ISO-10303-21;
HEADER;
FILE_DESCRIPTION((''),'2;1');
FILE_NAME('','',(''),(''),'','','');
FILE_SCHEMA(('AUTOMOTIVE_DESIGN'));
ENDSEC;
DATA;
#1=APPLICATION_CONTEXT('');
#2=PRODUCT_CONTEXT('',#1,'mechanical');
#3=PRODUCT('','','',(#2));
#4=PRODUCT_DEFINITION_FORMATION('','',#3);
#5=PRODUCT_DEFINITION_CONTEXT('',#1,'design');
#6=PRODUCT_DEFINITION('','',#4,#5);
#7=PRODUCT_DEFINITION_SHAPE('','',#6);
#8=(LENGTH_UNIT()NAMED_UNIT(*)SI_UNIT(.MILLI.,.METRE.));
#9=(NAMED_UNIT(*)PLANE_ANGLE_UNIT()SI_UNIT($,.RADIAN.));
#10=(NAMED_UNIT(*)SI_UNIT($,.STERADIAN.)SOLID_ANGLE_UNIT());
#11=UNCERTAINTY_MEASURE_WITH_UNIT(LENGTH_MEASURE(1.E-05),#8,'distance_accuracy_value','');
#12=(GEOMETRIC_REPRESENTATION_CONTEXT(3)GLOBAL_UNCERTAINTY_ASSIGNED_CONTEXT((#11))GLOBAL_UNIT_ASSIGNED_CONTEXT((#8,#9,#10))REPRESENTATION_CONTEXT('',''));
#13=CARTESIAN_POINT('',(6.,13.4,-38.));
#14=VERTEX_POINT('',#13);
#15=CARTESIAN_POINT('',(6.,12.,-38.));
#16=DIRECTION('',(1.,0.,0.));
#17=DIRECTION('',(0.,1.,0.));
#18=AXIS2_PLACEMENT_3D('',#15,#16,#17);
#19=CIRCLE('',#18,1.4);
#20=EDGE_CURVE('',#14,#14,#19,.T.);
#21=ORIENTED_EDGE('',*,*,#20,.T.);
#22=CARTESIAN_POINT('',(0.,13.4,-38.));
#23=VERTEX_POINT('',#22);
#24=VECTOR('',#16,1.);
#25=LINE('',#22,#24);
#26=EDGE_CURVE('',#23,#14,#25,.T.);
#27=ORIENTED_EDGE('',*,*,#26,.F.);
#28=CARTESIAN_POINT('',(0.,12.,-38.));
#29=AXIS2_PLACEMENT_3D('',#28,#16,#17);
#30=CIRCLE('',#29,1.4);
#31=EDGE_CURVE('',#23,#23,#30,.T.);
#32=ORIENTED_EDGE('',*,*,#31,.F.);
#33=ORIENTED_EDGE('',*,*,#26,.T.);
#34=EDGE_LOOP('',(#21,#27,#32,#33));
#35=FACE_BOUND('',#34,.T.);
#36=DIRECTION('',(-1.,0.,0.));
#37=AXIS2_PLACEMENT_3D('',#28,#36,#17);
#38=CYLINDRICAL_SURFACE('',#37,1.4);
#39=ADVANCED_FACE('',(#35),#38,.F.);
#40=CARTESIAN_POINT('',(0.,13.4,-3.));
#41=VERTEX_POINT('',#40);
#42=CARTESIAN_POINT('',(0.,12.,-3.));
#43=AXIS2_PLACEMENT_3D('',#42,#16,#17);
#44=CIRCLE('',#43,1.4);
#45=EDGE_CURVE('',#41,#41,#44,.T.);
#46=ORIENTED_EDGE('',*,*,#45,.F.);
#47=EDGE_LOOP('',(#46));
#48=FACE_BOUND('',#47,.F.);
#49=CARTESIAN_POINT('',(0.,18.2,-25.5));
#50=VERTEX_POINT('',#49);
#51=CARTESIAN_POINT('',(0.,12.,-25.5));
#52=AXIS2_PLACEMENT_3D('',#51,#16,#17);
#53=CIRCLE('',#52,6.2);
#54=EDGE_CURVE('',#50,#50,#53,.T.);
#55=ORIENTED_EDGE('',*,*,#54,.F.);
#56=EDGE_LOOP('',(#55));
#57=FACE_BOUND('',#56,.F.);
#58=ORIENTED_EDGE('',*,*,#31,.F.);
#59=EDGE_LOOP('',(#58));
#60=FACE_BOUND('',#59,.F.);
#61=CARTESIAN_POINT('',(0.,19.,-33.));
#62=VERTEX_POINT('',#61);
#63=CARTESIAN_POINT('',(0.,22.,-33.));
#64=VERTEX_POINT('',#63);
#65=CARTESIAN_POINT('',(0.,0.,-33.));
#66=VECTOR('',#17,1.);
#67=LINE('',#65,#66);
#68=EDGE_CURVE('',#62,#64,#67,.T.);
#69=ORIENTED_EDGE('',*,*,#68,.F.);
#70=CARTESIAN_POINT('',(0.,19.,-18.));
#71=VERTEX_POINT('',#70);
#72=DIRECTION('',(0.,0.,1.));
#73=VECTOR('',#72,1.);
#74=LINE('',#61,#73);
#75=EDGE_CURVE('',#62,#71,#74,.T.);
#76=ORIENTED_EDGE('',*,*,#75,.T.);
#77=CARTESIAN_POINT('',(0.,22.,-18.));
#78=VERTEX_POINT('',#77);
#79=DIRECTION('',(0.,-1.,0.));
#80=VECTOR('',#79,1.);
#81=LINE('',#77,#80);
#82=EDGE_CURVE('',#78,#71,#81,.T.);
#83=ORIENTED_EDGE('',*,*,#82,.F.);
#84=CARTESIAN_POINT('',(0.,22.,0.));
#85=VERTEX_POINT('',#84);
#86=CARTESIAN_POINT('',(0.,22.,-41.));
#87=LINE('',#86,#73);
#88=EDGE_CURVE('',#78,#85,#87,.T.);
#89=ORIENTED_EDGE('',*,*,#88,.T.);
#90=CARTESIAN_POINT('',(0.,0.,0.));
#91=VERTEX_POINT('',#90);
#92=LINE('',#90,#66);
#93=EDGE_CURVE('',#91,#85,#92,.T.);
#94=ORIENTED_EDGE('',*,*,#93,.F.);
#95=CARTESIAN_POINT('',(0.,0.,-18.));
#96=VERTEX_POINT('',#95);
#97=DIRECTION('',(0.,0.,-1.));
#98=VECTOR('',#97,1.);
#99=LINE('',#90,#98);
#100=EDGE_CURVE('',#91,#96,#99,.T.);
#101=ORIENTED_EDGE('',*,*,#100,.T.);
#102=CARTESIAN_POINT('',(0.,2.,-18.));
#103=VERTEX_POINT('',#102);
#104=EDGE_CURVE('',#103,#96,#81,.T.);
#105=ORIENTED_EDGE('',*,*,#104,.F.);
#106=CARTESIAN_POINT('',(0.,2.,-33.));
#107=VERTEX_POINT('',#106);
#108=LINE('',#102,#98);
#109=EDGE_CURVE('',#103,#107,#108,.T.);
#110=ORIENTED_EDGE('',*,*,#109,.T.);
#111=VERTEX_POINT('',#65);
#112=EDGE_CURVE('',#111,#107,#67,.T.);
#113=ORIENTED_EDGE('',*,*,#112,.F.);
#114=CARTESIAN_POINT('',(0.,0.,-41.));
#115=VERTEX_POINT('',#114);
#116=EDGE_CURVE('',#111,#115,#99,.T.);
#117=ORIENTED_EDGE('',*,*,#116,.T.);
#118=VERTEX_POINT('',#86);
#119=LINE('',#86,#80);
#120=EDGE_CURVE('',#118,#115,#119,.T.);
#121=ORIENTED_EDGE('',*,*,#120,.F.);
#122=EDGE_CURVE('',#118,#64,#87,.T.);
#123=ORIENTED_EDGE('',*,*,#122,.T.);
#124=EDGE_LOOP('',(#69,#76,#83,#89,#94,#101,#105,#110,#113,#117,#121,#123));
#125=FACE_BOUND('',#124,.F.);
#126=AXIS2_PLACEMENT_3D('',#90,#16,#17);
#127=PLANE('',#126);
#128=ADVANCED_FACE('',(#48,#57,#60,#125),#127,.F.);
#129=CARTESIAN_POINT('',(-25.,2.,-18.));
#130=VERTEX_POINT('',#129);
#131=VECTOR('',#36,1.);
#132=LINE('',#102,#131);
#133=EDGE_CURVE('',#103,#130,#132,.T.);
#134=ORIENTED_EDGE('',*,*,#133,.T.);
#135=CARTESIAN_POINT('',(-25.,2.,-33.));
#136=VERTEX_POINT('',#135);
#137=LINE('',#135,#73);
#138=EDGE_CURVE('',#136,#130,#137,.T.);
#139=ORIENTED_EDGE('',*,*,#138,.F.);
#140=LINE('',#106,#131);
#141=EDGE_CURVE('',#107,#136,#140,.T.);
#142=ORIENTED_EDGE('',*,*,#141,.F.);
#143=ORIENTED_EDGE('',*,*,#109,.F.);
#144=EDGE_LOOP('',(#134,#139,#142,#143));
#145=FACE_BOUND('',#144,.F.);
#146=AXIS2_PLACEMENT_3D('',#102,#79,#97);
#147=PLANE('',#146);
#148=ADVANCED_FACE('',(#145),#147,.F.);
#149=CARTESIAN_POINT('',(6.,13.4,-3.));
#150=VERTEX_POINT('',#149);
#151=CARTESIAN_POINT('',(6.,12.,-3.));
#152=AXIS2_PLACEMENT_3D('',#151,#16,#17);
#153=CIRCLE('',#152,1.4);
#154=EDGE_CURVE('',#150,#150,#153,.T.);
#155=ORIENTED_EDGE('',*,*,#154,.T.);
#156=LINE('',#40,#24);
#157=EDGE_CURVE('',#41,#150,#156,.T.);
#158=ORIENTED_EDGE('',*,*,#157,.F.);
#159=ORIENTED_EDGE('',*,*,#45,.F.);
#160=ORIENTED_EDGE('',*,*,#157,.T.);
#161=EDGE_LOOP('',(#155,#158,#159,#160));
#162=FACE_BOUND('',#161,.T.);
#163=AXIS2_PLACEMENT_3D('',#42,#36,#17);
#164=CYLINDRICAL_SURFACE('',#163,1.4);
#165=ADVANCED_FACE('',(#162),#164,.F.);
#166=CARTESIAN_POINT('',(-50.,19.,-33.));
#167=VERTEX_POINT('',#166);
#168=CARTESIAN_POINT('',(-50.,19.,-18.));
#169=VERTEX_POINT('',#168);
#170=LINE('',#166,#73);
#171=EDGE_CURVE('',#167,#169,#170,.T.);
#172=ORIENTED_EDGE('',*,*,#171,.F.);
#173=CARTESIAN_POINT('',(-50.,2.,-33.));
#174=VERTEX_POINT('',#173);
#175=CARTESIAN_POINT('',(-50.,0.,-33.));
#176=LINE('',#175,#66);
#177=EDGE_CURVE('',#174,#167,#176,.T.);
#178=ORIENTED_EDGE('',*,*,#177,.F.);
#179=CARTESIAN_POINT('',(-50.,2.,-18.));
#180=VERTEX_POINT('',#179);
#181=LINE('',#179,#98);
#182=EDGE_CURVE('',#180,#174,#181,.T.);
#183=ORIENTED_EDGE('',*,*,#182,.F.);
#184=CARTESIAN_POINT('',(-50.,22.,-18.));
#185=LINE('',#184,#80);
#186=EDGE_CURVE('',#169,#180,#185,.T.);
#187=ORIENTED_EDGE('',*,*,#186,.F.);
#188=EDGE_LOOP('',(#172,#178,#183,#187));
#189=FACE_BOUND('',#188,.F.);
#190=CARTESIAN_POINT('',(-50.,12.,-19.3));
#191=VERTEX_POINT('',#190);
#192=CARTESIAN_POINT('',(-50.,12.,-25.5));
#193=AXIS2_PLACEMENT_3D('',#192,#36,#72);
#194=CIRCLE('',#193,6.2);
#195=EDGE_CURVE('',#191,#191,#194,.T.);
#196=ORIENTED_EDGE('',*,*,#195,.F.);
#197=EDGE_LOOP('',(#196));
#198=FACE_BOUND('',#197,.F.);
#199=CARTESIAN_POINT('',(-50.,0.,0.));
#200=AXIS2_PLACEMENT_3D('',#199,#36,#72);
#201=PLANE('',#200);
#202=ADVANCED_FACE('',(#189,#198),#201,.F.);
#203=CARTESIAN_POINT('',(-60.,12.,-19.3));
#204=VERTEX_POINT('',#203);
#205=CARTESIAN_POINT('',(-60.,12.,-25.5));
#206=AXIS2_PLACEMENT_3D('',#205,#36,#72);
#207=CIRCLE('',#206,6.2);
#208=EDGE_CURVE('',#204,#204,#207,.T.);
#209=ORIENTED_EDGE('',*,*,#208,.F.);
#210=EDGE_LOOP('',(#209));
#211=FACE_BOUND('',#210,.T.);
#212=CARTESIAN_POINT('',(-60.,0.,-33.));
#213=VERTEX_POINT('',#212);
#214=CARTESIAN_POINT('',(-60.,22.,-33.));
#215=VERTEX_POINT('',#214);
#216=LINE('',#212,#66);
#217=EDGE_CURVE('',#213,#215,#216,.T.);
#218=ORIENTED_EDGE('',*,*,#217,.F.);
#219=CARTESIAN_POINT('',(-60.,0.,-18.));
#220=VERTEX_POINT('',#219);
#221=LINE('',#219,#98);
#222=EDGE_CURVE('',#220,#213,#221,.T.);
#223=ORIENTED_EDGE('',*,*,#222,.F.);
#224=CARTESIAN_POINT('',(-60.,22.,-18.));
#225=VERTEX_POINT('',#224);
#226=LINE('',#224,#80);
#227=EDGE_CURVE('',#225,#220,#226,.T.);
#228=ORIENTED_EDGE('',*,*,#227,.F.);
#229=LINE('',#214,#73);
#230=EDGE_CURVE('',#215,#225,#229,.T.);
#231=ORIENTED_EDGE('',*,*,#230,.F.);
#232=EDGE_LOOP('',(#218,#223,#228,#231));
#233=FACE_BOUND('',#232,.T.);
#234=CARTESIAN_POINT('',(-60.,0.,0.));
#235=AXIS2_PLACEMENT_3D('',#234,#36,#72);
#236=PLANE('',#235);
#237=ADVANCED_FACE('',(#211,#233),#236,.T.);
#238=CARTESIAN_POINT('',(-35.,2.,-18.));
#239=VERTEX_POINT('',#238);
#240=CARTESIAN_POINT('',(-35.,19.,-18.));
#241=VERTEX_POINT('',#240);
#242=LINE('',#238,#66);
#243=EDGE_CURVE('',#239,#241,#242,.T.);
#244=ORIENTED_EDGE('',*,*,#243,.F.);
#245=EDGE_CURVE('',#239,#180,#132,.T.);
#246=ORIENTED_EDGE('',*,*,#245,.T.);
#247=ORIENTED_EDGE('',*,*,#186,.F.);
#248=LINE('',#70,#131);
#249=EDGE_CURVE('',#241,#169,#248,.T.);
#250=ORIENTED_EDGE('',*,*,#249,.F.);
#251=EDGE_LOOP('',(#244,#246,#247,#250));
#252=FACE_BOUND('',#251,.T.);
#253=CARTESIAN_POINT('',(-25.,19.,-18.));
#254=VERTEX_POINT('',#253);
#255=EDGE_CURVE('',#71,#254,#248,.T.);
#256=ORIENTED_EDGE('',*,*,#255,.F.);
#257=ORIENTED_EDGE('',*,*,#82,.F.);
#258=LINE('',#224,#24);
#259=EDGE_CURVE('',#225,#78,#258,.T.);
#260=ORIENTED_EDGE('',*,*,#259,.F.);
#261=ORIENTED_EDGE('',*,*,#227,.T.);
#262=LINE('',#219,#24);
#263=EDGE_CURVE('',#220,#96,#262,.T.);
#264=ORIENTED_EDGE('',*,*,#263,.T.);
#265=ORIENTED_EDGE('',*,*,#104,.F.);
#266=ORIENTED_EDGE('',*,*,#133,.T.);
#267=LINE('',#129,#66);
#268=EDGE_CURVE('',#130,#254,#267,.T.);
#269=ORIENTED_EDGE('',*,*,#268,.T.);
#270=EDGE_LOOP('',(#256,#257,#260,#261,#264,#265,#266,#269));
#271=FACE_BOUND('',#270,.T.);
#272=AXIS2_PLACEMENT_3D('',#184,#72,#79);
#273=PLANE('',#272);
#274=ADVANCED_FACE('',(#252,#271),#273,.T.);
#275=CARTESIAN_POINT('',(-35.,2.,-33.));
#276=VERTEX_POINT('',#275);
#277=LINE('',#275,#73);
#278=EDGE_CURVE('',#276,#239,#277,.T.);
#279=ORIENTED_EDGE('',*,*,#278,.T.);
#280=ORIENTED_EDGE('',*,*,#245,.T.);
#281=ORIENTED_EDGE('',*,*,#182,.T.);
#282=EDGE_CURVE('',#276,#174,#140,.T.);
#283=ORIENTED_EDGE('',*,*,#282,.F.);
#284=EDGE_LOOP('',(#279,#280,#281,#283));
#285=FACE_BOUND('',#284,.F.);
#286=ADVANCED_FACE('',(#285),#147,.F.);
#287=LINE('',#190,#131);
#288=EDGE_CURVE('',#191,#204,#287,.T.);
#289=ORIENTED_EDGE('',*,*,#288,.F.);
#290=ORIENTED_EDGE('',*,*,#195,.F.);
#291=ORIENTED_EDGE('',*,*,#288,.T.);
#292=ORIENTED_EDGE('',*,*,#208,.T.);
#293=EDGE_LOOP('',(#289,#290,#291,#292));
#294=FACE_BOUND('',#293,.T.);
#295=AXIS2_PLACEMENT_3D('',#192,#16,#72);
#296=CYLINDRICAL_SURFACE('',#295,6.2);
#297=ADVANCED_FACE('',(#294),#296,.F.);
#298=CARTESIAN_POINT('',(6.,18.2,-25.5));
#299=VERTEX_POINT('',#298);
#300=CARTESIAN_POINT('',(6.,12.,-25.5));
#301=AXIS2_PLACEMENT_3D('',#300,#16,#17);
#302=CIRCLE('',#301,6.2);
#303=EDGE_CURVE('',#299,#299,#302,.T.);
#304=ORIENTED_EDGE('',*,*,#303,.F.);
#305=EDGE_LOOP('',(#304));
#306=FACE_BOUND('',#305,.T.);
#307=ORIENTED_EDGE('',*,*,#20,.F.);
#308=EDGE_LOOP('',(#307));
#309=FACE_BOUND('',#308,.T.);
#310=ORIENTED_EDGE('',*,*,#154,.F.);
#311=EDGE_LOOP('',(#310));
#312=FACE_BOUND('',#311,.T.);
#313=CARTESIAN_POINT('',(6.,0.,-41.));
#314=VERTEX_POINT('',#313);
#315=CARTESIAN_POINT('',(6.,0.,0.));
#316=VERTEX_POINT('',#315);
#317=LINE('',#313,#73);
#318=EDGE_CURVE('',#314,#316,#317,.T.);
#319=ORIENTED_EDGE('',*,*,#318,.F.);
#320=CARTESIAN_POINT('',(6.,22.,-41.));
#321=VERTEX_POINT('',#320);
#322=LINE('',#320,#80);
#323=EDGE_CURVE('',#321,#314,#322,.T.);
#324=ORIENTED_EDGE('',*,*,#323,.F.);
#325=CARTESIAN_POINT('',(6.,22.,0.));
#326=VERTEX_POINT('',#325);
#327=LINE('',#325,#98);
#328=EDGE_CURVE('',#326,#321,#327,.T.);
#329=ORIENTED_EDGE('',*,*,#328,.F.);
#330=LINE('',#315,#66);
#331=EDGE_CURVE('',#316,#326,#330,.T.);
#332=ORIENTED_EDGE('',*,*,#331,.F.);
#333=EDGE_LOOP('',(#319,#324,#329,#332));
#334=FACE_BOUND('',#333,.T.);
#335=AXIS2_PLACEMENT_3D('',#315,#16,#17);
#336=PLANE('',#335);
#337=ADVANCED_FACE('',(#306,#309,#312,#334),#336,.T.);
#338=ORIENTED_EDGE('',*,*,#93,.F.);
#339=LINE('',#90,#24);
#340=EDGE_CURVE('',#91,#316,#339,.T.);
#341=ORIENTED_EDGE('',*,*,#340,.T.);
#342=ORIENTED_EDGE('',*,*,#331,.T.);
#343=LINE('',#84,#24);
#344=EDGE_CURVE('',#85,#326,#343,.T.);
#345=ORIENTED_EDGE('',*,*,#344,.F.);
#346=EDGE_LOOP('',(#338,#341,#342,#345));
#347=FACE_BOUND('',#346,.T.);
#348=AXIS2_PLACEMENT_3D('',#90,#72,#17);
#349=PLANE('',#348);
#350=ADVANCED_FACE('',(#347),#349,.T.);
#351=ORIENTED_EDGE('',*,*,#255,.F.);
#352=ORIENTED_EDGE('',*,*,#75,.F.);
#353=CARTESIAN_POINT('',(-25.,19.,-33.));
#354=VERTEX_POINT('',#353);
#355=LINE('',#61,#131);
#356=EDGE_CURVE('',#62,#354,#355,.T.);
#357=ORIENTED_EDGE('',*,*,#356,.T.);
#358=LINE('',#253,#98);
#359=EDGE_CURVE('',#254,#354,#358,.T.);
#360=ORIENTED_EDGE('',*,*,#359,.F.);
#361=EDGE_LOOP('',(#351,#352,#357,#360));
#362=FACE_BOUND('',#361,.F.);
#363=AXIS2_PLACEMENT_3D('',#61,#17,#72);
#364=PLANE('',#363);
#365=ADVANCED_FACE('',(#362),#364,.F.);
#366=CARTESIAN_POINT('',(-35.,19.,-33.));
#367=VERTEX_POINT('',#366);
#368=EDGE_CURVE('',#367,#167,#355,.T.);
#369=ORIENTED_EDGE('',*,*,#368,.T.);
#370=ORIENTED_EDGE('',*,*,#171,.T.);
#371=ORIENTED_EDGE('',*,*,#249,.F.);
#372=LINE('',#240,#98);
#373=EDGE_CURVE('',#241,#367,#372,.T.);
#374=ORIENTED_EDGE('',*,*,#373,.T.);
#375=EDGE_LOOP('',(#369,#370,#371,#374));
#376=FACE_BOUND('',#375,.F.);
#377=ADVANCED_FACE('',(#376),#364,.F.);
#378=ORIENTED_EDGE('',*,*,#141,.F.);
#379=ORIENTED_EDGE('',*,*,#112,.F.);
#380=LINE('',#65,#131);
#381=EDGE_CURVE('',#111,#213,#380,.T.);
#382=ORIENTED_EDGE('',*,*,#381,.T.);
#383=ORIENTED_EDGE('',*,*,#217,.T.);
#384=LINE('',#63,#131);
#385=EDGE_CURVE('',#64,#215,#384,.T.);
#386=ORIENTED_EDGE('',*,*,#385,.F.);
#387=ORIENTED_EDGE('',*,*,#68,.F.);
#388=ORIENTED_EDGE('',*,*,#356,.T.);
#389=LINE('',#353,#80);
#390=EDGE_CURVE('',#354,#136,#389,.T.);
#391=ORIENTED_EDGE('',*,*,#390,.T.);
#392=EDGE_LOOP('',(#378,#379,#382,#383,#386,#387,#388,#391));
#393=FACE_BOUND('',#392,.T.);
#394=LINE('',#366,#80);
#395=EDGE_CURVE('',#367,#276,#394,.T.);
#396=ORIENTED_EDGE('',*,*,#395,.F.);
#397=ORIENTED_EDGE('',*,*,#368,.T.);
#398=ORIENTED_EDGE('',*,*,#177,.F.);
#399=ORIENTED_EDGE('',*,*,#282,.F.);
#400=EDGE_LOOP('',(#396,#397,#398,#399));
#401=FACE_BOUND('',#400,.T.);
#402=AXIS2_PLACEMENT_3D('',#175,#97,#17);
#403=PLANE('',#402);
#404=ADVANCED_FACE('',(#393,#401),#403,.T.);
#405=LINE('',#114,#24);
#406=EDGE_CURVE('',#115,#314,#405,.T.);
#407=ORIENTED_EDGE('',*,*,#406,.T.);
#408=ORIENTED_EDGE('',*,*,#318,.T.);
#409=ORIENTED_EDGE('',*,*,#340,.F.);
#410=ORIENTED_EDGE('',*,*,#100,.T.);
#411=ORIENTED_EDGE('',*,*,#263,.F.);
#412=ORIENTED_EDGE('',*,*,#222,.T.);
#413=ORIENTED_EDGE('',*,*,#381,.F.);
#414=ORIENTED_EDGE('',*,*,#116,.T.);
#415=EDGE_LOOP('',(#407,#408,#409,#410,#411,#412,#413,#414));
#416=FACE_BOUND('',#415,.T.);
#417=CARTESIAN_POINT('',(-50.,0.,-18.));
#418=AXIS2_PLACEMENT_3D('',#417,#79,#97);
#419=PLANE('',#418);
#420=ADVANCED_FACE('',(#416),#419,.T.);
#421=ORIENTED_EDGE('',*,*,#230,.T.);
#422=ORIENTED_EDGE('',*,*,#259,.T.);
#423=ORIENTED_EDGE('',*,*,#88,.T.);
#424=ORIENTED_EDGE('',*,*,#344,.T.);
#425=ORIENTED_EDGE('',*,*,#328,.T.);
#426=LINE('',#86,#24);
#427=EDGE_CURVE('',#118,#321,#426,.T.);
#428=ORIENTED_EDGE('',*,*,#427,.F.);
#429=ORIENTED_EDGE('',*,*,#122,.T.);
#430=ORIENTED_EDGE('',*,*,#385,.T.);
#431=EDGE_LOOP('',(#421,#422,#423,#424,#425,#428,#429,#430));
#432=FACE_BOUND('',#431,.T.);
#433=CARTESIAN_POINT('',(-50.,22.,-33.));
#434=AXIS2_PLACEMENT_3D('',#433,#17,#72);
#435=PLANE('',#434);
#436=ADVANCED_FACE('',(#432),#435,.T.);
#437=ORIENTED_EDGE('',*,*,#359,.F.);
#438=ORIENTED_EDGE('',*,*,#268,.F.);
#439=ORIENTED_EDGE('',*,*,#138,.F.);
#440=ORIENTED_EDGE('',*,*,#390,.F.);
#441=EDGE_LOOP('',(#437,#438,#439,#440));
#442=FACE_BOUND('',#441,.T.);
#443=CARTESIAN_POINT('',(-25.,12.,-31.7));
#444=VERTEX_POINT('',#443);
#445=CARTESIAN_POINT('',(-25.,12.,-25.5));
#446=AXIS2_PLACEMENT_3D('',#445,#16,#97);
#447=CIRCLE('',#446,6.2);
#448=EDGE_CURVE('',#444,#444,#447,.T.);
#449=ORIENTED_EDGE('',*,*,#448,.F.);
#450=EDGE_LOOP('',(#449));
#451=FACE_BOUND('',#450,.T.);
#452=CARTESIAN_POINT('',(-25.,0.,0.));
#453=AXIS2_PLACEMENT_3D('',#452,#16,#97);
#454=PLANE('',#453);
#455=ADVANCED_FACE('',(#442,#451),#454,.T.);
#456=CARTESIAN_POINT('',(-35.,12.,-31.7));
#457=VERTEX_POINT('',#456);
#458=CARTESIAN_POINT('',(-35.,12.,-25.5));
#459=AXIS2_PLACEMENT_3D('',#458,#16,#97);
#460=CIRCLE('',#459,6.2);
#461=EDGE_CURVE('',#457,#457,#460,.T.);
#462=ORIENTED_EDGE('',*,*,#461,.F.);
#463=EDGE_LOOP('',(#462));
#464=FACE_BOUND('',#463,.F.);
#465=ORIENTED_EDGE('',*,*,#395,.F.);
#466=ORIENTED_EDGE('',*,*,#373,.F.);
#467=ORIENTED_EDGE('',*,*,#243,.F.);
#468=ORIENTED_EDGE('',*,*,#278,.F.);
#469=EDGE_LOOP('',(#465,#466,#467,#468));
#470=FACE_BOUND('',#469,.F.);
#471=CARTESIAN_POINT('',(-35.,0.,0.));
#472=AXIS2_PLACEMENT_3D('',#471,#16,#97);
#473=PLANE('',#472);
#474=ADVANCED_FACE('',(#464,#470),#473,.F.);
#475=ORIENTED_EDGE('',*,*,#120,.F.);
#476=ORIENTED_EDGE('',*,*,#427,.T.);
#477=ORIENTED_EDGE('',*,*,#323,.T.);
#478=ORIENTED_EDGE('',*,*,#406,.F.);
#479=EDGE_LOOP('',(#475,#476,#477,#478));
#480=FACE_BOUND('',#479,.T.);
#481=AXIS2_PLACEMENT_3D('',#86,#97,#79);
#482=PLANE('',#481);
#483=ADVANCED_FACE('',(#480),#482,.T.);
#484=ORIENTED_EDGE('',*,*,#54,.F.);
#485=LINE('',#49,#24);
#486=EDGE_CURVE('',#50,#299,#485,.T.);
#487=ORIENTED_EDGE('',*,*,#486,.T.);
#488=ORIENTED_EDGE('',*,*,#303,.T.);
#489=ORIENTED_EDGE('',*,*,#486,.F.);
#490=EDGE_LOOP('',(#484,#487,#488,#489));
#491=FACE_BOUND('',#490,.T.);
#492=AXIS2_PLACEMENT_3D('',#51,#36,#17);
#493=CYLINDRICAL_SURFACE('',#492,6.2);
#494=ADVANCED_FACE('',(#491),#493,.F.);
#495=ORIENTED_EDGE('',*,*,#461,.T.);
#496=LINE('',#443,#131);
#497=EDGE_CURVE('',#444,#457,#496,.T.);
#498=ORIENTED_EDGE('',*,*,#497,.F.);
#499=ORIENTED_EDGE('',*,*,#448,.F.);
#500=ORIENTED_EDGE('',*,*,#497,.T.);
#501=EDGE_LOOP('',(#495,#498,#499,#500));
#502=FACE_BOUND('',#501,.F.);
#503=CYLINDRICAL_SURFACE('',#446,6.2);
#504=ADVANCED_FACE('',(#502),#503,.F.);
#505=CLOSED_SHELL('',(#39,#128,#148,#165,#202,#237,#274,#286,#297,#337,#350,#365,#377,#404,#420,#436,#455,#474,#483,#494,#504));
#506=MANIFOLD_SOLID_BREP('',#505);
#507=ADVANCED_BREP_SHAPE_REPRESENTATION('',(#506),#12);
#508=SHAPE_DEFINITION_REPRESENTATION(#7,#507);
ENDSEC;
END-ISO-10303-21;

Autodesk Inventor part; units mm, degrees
ref_plane "YZ Plane" through (0, 0, 0) normal (1, 0, 0) x (0, 1, 0)
ref_plane "XZ Plane" through (0, 0, 0) normal (0, 1, 0) x (-1, 0, 0)
ref_plane "XY Plane" through (0, 0, 0) normal (0, 0, 1) x (1, 0, 0)
sketch "Sketch1" plane through (0, 0, 0) normal (1, 0, 0) x (0, 1, 0)
  line L0 (0, 0) -> (22, 0)
  line L1 (22, 0) -> (22, -41)
  line L2 (22, -41) -> (0, -41)
  line L3 (0, -41) -> (0, 0)
  line L4 (0, -22) -> (0, -32)
  line L5 (22, -33) -> (22, -23)
  circle A0 centre (12, -25.5) radius 6.2
  line L6 (22, -18) -> (0, -18)
  line L7 (0, -18) -> (0, -33)
  line L8 (0, -33) -> (22, -33)
  line L9 (22, -33) -> (22, -18)
  circle A1 centre (12, -3) radius 1.4
  circle A2 centre (12, -38) radius 1.4
  line L10 (19, -18) -> (2, -18)
  line L11 (2, -18) -> (2, -33)
  line L12 (2, -33) -> (19, -33)
  line L13 (19, -33) -> (19, -18)
  point P0 (0, -18)
  dimension "d10" = 41
  dimension "d11" = 22
  dimension "d12" = 15
  dimension "d15" = 10
  dimension "d17" = 8
  dimension "d18" = 2.8
  dimension "d19" = 2.8
  dimension "d20" = 12.4
  dimension "d22" = 10
  dimension "d23" = 10
  dimension "d24" = 35
  dimension "d25" = 3
  dimension "d26" = 7.5
  dimension "d27" = 17
  dimension "d28" = 3
extrude "Extrusion5" add sketch "Sketch1" along normal blind 6
extrude "Extrusion6" add sketch "Sketch1" against normal blind 50 contours L6 L11 L8 L3 | L1 L8 L13 L6
sketch "Sketch4" plane through (-50, 0, 0) normal (-1, 0, 0) x (0, 0, 1)
  line L0 (-41, 22) -> (-33, 22) projected
  line L1 (-33, 22) -> (-18, 22)
  line L2 (-18, 22) -> (-18, 0)
  line L3 (-18, 0) -> (-33, 0)
  line L4 (-33, 0) -> (-33, 22)
  circle A0 centre (-25.5, 12) radius 6.2 projected
  circle A1 centre (-25.5, 12) radius 6.2
  point P0 (0, 0)
  dimension "d38" = 12.4
extrude "Extrusion7" add sketch "Sketch4" along normal blind 10
ref_plane "Work Plane1" through (-25, 0, 0) normal (1, 0, 0) x (0, 0, -1)
sketch "Sketch5" plane through (-25, 0, 0) normal (1, 0, 0) x (0, 0, -1)
  point P0 (0, 0)
sketch "Sketch6" plane through (-25, 0, 0) normal (1, 0, 0) x (0, 0, -1)
  circle A0 centre (25.5, 12) radius 6.2 projected
  circle A1 centre (25.5, 12) radius 6.2
  line L0 (18, 2) -> (18, 19) projected
  line L1 (33, 0) -> (33, 2) projected
  line L2 (18, 19) -> (33, 19)
  line L3 (33, 19) -> (33, 2)
  line L4 (33, 2) -> (18, 2)
  line L5 (18, 2) -> (18, 19)
  point P0 (0, 0)
  point P1 (18, 2)
  dimension "d39" = 12.4
extrude "Extrusion8" add sketch "Sketch6" against normal blind 10
equation "\"d26\" = 0.5 * d12"
properties part number "_3DPrint"
